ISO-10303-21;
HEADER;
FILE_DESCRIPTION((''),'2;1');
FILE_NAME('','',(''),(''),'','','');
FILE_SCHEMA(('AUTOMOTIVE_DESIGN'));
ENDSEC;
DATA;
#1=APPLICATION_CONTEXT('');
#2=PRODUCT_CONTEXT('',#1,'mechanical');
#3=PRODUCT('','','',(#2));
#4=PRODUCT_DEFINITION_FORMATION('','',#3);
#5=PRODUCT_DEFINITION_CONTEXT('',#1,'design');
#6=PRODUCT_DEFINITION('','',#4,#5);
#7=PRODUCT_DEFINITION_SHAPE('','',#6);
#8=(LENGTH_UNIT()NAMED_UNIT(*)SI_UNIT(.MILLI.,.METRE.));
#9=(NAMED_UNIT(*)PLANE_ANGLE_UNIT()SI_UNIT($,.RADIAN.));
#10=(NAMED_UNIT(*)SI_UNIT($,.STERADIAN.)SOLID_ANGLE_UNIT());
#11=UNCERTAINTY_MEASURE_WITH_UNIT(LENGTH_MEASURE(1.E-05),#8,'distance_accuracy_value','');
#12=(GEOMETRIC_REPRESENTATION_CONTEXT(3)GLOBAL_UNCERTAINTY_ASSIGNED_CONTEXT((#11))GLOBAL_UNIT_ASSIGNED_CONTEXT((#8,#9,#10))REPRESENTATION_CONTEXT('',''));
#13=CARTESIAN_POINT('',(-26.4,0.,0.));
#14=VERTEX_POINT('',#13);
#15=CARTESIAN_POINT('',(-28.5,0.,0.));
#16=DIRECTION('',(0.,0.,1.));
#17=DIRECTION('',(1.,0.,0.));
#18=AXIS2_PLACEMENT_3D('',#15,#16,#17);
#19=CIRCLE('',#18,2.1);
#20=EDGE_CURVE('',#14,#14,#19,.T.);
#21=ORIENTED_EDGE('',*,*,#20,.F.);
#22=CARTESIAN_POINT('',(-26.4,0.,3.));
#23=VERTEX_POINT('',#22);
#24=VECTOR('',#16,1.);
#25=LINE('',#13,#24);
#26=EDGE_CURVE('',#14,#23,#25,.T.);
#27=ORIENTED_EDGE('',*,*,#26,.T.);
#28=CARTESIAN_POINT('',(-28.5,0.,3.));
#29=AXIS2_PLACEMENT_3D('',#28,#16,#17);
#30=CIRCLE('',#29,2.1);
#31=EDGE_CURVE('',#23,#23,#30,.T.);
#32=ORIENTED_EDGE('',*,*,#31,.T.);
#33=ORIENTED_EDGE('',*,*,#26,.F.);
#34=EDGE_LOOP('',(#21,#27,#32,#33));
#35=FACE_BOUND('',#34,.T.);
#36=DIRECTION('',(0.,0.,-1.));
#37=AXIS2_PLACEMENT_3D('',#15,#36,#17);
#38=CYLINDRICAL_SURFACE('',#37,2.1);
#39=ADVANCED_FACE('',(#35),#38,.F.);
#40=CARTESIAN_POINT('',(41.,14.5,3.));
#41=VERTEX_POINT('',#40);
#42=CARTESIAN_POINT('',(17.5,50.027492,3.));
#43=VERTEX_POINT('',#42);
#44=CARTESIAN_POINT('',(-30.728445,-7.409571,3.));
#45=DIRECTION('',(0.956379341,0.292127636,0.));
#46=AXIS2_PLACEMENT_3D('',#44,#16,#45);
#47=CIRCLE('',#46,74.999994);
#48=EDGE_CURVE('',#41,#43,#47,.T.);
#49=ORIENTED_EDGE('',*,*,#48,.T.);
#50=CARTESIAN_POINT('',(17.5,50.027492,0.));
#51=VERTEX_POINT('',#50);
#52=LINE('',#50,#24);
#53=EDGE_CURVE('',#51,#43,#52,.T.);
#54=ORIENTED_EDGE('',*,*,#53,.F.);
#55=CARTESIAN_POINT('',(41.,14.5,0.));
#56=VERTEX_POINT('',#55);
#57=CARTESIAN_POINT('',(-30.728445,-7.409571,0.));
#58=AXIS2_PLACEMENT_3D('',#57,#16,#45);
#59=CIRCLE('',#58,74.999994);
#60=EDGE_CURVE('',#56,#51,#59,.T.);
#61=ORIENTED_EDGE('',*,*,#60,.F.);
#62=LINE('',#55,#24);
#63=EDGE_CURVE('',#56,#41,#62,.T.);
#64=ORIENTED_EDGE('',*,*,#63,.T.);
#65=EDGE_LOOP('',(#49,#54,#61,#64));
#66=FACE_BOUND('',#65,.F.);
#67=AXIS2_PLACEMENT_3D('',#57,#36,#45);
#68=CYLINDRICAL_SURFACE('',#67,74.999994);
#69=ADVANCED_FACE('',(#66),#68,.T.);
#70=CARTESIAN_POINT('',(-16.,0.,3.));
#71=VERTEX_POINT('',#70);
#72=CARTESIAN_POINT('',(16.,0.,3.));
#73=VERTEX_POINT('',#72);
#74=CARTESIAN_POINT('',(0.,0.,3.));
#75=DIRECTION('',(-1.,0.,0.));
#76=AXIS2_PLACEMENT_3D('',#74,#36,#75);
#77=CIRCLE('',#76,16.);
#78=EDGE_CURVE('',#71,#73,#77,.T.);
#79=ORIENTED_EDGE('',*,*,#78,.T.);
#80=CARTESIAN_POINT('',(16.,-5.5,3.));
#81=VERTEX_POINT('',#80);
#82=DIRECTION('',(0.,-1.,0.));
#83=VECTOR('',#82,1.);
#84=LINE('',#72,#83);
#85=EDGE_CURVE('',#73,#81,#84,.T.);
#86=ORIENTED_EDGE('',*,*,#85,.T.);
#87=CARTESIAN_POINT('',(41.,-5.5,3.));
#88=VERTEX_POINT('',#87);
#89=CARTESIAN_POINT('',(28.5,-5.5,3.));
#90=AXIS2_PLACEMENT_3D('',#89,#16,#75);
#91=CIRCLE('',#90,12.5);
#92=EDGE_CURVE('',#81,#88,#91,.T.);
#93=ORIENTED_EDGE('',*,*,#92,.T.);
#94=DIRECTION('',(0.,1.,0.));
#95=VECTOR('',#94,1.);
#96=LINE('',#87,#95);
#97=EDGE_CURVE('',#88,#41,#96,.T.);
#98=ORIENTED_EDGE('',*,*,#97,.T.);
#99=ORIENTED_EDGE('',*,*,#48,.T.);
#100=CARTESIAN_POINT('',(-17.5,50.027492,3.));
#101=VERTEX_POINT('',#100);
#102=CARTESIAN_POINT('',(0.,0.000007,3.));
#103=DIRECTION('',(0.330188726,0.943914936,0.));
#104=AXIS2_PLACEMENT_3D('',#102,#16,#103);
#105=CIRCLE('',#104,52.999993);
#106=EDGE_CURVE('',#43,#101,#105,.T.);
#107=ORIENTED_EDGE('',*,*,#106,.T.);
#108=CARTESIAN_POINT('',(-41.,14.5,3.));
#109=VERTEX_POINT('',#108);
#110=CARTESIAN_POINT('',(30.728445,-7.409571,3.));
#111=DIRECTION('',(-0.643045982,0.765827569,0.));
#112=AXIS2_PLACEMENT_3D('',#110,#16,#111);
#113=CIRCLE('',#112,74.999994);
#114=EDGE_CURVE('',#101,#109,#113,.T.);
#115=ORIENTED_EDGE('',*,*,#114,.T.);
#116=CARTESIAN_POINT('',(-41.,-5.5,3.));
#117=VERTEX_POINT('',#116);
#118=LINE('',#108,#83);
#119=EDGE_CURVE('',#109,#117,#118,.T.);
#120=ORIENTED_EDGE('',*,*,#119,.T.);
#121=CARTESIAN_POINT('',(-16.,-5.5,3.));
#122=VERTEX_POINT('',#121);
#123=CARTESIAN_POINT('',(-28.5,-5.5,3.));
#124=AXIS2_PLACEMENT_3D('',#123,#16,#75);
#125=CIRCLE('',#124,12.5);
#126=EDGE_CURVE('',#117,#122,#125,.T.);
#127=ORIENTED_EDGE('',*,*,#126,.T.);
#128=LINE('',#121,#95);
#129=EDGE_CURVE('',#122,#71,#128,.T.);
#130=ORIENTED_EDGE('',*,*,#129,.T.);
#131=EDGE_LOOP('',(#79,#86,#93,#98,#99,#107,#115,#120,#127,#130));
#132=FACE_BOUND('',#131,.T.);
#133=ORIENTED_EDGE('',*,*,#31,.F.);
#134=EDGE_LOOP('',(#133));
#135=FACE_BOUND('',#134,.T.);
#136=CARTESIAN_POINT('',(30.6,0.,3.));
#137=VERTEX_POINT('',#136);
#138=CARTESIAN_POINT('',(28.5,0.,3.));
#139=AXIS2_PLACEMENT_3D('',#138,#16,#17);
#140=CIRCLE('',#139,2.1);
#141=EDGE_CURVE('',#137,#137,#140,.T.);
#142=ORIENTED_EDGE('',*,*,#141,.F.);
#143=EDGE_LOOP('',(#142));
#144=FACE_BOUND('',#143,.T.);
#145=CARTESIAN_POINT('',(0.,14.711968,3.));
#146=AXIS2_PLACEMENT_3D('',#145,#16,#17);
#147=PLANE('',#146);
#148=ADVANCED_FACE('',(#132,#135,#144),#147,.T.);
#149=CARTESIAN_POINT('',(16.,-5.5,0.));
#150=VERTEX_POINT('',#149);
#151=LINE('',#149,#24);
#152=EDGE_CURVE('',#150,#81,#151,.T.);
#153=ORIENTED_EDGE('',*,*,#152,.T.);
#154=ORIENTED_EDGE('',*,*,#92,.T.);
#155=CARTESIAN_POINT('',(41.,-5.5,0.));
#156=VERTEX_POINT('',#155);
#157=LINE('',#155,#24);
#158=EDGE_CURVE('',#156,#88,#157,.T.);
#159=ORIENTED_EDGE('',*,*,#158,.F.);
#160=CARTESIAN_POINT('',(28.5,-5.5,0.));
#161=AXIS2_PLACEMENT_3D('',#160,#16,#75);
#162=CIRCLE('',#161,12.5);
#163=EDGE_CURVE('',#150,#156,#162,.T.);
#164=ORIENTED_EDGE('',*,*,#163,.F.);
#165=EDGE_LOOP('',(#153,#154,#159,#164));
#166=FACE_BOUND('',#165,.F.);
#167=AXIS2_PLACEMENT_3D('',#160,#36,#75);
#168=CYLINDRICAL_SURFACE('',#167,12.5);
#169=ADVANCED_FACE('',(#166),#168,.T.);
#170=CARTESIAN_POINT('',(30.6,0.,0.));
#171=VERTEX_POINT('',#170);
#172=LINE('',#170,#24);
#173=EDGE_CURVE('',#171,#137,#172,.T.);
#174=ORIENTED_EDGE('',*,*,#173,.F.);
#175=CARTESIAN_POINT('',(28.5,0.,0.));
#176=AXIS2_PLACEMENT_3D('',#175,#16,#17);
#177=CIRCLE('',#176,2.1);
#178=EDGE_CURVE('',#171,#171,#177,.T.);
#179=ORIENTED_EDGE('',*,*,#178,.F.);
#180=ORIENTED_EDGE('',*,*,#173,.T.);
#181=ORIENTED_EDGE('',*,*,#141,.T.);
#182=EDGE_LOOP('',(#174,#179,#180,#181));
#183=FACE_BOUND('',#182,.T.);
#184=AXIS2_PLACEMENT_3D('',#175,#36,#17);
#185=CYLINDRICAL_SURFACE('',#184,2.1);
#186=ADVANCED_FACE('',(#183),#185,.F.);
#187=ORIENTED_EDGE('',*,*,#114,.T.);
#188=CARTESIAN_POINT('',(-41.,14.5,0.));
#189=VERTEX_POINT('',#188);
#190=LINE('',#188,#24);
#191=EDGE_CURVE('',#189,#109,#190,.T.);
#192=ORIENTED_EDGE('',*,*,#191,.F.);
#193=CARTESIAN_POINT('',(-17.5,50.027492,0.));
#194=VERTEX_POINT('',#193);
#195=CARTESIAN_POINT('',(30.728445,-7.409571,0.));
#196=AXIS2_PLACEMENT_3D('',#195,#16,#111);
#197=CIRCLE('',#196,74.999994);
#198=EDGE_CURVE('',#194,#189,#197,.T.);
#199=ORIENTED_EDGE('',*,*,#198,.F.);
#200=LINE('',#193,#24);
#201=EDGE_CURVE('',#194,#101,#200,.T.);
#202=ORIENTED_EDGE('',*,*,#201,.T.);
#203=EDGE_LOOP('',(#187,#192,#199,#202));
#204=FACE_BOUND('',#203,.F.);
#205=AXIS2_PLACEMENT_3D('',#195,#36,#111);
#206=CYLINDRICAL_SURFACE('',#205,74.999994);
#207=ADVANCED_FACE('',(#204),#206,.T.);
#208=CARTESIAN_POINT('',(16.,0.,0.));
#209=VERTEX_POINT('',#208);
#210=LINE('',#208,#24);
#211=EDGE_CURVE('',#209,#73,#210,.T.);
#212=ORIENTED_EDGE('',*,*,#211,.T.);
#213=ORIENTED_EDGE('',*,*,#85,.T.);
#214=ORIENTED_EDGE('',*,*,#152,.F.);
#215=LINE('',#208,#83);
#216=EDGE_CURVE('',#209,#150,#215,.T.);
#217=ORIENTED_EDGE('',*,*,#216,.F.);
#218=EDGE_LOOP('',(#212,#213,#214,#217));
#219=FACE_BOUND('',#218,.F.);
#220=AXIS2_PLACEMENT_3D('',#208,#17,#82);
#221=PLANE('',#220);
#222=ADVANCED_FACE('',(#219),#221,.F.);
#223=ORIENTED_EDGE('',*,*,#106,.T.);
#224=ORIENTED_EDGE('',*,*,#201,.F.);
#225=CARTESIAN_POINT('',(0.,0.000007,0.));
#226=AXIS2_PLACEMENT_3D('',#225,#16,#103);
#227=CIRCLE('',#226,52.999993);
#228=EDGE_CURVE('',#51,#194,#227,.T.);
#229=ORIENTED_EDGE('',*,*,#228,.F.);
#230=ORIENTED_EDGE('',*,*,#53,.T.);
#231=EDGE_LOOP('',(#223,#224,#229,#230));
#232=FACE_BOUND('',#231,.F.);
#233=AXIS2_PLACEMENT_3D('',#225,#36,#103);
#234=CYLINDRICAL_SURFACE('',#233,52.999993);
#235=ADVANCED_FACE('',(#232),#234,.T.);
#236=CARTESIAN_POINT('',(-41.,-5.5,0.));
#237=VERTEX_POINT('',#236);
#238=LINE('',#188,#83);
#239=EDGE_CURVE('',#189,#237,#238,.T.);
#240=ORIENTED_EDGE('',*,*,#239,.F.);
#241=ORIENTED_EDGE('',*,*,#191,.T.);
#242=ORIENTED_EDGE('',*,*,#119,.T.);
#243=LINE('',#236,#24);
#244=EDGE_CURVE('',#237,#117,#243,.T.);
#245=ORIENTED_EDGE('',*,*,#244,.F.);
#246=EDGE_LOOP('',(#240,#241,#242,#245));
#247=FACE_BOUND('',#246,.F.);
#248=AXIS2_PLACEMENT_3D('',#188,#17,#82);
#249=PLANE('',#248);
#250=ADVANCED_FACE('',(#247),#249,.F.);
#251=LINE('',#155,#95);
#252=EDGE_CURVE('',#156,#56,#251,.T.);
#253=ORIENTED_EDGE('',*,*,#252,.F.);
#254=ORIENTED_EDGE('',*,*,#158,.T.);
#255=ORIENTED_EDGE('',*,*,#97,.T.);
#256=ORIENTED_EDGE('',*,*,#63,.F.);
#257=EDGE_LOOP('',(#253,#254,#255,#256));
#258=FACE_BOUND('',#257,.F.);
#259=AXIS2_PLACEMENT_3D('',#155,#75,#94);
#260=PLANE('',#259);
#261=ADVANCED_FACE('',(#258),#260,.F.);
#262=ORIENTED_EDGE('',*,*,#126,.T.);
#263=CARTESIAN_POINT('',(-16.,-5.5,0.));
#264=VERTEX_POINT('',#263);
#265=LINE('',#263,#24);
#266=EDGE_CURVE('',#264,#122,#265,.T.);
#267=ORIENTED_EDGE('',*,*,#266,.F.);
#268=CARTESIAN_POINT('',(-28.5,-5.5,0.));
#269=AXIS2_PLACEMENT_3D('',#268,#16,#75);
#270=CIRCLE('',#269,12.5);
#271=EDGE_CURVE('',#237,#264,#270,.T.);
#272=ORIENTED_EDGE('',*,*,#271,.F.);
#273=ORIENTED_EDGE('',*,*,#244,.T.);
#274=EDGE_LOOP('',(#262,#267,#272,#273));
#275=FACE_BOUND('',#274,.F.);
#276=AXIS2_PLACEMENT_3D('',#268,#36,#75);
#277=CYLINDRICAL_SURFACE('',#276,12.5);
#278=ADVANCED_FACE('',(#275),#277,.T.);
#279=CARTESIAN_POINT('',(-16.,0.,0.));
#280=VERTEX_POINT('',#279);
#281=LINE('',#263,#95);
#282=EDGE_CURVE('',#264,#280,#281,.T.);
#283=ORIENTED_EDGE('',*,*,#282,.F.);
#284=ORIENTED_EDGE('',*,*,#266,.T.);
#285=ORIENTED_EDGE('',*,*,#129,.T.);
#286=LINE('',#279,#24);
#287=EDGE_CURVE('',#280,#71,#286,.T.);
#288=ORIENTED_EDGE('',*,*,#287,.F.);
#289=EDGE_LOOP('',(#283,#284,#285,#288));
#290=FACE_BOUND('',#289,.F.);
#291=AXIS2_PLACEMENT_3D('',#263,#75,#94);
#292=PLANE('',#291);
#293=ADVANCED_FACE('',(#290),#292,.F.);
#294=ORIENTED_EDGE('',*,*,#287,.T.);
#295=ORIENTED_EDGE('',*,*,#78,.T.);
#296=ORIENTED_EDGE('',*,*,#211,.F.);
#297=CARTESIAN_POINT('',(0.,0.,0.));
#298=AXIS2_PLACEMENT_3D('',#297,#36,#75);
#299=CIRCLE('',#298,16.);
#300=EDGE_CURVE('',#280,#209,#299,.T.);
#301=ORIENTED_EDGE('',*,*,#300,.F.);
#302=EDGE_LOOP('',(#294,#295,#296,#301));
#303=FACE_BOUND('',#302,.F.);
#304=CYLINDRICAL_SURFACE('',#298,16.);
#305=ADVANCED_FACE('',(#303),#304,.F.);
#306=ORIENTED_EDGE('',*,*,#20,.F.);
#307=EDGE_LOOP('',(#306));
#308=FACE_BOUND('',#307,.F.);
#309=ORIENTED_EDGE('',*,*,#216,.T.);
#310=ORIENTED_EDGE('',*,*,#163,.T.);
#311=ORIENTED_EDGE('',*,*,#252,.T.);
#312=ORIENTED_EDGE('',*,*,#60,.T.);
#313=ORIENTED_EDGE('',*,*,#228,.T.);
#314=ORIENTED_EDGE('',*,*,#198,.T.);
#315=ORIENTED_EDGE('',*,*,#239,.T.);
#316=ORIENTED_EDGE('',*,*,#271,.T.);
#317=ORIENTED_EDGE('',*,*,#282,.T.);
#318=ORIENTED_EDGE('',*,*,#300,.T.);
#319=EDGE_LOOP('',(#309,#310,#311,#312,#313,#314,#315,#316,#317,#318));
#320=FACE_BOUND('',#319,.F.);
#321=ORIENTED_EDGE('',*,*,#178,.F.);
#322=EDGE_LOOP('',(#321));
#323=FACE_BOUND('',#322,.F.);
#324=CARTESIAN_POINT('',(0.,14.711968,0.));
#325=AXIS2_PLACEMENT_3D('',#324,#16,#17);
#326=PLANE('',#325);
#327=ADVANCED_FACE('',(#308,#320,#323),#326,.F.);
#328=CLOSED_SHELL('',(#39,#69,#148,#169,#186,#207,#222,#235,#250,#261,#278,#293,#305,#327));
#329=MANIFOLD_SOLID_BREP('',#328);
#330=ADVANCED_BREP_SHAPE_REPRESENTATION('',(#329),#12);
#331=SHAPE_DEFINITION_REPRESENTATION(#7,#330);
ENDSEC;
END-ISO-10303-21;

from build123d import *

# Parameters (mm, degrees)
F0_R     = 2.1
F1_DEPTH = 3


with BuildPart() as f1:
    # F0 (on Top) → F1 (new body)
    with BuildSketch(Plane.XY):
        with BuildLine():
            Line((-41, 14.5), (-41, -5.5))
            ThreePointArc((-41, -5.5), (-28.5, -18), (-16, -5.5))
            Line((-16, -5.5), (-16, 0))
            ThreePointArc((-16, 0), (0, 16), (16, 0))
            Line((16, 0), (16, -5.5))
            ThreePointArc((16, -5.5), (28.5, -18), (41, -5.5))
            Line((41, -5.5), (41, 14.5))
            ThreePointArc((41, 14.5), (31.825248, 33.967169), (17.5, 50.027492))
            ThreePointArc((17.5, 50.027492), (0, 53), (-17.5, 50.027492))
            ThreePointArc((-17.5, 50.027492), (-31.825248, 33.967169), (-41, 14.5))
        make_face()
        with Locations((-28.5, 0)):
            Circle(F0_R, mode=Mode.SUBTRACT)
        with Locations((28.5, 0)):
            Circle(F0_R, mode=Mode.SUBTRACT)
    extrude(amount=F1_DEPTH)


solid = f1.part
